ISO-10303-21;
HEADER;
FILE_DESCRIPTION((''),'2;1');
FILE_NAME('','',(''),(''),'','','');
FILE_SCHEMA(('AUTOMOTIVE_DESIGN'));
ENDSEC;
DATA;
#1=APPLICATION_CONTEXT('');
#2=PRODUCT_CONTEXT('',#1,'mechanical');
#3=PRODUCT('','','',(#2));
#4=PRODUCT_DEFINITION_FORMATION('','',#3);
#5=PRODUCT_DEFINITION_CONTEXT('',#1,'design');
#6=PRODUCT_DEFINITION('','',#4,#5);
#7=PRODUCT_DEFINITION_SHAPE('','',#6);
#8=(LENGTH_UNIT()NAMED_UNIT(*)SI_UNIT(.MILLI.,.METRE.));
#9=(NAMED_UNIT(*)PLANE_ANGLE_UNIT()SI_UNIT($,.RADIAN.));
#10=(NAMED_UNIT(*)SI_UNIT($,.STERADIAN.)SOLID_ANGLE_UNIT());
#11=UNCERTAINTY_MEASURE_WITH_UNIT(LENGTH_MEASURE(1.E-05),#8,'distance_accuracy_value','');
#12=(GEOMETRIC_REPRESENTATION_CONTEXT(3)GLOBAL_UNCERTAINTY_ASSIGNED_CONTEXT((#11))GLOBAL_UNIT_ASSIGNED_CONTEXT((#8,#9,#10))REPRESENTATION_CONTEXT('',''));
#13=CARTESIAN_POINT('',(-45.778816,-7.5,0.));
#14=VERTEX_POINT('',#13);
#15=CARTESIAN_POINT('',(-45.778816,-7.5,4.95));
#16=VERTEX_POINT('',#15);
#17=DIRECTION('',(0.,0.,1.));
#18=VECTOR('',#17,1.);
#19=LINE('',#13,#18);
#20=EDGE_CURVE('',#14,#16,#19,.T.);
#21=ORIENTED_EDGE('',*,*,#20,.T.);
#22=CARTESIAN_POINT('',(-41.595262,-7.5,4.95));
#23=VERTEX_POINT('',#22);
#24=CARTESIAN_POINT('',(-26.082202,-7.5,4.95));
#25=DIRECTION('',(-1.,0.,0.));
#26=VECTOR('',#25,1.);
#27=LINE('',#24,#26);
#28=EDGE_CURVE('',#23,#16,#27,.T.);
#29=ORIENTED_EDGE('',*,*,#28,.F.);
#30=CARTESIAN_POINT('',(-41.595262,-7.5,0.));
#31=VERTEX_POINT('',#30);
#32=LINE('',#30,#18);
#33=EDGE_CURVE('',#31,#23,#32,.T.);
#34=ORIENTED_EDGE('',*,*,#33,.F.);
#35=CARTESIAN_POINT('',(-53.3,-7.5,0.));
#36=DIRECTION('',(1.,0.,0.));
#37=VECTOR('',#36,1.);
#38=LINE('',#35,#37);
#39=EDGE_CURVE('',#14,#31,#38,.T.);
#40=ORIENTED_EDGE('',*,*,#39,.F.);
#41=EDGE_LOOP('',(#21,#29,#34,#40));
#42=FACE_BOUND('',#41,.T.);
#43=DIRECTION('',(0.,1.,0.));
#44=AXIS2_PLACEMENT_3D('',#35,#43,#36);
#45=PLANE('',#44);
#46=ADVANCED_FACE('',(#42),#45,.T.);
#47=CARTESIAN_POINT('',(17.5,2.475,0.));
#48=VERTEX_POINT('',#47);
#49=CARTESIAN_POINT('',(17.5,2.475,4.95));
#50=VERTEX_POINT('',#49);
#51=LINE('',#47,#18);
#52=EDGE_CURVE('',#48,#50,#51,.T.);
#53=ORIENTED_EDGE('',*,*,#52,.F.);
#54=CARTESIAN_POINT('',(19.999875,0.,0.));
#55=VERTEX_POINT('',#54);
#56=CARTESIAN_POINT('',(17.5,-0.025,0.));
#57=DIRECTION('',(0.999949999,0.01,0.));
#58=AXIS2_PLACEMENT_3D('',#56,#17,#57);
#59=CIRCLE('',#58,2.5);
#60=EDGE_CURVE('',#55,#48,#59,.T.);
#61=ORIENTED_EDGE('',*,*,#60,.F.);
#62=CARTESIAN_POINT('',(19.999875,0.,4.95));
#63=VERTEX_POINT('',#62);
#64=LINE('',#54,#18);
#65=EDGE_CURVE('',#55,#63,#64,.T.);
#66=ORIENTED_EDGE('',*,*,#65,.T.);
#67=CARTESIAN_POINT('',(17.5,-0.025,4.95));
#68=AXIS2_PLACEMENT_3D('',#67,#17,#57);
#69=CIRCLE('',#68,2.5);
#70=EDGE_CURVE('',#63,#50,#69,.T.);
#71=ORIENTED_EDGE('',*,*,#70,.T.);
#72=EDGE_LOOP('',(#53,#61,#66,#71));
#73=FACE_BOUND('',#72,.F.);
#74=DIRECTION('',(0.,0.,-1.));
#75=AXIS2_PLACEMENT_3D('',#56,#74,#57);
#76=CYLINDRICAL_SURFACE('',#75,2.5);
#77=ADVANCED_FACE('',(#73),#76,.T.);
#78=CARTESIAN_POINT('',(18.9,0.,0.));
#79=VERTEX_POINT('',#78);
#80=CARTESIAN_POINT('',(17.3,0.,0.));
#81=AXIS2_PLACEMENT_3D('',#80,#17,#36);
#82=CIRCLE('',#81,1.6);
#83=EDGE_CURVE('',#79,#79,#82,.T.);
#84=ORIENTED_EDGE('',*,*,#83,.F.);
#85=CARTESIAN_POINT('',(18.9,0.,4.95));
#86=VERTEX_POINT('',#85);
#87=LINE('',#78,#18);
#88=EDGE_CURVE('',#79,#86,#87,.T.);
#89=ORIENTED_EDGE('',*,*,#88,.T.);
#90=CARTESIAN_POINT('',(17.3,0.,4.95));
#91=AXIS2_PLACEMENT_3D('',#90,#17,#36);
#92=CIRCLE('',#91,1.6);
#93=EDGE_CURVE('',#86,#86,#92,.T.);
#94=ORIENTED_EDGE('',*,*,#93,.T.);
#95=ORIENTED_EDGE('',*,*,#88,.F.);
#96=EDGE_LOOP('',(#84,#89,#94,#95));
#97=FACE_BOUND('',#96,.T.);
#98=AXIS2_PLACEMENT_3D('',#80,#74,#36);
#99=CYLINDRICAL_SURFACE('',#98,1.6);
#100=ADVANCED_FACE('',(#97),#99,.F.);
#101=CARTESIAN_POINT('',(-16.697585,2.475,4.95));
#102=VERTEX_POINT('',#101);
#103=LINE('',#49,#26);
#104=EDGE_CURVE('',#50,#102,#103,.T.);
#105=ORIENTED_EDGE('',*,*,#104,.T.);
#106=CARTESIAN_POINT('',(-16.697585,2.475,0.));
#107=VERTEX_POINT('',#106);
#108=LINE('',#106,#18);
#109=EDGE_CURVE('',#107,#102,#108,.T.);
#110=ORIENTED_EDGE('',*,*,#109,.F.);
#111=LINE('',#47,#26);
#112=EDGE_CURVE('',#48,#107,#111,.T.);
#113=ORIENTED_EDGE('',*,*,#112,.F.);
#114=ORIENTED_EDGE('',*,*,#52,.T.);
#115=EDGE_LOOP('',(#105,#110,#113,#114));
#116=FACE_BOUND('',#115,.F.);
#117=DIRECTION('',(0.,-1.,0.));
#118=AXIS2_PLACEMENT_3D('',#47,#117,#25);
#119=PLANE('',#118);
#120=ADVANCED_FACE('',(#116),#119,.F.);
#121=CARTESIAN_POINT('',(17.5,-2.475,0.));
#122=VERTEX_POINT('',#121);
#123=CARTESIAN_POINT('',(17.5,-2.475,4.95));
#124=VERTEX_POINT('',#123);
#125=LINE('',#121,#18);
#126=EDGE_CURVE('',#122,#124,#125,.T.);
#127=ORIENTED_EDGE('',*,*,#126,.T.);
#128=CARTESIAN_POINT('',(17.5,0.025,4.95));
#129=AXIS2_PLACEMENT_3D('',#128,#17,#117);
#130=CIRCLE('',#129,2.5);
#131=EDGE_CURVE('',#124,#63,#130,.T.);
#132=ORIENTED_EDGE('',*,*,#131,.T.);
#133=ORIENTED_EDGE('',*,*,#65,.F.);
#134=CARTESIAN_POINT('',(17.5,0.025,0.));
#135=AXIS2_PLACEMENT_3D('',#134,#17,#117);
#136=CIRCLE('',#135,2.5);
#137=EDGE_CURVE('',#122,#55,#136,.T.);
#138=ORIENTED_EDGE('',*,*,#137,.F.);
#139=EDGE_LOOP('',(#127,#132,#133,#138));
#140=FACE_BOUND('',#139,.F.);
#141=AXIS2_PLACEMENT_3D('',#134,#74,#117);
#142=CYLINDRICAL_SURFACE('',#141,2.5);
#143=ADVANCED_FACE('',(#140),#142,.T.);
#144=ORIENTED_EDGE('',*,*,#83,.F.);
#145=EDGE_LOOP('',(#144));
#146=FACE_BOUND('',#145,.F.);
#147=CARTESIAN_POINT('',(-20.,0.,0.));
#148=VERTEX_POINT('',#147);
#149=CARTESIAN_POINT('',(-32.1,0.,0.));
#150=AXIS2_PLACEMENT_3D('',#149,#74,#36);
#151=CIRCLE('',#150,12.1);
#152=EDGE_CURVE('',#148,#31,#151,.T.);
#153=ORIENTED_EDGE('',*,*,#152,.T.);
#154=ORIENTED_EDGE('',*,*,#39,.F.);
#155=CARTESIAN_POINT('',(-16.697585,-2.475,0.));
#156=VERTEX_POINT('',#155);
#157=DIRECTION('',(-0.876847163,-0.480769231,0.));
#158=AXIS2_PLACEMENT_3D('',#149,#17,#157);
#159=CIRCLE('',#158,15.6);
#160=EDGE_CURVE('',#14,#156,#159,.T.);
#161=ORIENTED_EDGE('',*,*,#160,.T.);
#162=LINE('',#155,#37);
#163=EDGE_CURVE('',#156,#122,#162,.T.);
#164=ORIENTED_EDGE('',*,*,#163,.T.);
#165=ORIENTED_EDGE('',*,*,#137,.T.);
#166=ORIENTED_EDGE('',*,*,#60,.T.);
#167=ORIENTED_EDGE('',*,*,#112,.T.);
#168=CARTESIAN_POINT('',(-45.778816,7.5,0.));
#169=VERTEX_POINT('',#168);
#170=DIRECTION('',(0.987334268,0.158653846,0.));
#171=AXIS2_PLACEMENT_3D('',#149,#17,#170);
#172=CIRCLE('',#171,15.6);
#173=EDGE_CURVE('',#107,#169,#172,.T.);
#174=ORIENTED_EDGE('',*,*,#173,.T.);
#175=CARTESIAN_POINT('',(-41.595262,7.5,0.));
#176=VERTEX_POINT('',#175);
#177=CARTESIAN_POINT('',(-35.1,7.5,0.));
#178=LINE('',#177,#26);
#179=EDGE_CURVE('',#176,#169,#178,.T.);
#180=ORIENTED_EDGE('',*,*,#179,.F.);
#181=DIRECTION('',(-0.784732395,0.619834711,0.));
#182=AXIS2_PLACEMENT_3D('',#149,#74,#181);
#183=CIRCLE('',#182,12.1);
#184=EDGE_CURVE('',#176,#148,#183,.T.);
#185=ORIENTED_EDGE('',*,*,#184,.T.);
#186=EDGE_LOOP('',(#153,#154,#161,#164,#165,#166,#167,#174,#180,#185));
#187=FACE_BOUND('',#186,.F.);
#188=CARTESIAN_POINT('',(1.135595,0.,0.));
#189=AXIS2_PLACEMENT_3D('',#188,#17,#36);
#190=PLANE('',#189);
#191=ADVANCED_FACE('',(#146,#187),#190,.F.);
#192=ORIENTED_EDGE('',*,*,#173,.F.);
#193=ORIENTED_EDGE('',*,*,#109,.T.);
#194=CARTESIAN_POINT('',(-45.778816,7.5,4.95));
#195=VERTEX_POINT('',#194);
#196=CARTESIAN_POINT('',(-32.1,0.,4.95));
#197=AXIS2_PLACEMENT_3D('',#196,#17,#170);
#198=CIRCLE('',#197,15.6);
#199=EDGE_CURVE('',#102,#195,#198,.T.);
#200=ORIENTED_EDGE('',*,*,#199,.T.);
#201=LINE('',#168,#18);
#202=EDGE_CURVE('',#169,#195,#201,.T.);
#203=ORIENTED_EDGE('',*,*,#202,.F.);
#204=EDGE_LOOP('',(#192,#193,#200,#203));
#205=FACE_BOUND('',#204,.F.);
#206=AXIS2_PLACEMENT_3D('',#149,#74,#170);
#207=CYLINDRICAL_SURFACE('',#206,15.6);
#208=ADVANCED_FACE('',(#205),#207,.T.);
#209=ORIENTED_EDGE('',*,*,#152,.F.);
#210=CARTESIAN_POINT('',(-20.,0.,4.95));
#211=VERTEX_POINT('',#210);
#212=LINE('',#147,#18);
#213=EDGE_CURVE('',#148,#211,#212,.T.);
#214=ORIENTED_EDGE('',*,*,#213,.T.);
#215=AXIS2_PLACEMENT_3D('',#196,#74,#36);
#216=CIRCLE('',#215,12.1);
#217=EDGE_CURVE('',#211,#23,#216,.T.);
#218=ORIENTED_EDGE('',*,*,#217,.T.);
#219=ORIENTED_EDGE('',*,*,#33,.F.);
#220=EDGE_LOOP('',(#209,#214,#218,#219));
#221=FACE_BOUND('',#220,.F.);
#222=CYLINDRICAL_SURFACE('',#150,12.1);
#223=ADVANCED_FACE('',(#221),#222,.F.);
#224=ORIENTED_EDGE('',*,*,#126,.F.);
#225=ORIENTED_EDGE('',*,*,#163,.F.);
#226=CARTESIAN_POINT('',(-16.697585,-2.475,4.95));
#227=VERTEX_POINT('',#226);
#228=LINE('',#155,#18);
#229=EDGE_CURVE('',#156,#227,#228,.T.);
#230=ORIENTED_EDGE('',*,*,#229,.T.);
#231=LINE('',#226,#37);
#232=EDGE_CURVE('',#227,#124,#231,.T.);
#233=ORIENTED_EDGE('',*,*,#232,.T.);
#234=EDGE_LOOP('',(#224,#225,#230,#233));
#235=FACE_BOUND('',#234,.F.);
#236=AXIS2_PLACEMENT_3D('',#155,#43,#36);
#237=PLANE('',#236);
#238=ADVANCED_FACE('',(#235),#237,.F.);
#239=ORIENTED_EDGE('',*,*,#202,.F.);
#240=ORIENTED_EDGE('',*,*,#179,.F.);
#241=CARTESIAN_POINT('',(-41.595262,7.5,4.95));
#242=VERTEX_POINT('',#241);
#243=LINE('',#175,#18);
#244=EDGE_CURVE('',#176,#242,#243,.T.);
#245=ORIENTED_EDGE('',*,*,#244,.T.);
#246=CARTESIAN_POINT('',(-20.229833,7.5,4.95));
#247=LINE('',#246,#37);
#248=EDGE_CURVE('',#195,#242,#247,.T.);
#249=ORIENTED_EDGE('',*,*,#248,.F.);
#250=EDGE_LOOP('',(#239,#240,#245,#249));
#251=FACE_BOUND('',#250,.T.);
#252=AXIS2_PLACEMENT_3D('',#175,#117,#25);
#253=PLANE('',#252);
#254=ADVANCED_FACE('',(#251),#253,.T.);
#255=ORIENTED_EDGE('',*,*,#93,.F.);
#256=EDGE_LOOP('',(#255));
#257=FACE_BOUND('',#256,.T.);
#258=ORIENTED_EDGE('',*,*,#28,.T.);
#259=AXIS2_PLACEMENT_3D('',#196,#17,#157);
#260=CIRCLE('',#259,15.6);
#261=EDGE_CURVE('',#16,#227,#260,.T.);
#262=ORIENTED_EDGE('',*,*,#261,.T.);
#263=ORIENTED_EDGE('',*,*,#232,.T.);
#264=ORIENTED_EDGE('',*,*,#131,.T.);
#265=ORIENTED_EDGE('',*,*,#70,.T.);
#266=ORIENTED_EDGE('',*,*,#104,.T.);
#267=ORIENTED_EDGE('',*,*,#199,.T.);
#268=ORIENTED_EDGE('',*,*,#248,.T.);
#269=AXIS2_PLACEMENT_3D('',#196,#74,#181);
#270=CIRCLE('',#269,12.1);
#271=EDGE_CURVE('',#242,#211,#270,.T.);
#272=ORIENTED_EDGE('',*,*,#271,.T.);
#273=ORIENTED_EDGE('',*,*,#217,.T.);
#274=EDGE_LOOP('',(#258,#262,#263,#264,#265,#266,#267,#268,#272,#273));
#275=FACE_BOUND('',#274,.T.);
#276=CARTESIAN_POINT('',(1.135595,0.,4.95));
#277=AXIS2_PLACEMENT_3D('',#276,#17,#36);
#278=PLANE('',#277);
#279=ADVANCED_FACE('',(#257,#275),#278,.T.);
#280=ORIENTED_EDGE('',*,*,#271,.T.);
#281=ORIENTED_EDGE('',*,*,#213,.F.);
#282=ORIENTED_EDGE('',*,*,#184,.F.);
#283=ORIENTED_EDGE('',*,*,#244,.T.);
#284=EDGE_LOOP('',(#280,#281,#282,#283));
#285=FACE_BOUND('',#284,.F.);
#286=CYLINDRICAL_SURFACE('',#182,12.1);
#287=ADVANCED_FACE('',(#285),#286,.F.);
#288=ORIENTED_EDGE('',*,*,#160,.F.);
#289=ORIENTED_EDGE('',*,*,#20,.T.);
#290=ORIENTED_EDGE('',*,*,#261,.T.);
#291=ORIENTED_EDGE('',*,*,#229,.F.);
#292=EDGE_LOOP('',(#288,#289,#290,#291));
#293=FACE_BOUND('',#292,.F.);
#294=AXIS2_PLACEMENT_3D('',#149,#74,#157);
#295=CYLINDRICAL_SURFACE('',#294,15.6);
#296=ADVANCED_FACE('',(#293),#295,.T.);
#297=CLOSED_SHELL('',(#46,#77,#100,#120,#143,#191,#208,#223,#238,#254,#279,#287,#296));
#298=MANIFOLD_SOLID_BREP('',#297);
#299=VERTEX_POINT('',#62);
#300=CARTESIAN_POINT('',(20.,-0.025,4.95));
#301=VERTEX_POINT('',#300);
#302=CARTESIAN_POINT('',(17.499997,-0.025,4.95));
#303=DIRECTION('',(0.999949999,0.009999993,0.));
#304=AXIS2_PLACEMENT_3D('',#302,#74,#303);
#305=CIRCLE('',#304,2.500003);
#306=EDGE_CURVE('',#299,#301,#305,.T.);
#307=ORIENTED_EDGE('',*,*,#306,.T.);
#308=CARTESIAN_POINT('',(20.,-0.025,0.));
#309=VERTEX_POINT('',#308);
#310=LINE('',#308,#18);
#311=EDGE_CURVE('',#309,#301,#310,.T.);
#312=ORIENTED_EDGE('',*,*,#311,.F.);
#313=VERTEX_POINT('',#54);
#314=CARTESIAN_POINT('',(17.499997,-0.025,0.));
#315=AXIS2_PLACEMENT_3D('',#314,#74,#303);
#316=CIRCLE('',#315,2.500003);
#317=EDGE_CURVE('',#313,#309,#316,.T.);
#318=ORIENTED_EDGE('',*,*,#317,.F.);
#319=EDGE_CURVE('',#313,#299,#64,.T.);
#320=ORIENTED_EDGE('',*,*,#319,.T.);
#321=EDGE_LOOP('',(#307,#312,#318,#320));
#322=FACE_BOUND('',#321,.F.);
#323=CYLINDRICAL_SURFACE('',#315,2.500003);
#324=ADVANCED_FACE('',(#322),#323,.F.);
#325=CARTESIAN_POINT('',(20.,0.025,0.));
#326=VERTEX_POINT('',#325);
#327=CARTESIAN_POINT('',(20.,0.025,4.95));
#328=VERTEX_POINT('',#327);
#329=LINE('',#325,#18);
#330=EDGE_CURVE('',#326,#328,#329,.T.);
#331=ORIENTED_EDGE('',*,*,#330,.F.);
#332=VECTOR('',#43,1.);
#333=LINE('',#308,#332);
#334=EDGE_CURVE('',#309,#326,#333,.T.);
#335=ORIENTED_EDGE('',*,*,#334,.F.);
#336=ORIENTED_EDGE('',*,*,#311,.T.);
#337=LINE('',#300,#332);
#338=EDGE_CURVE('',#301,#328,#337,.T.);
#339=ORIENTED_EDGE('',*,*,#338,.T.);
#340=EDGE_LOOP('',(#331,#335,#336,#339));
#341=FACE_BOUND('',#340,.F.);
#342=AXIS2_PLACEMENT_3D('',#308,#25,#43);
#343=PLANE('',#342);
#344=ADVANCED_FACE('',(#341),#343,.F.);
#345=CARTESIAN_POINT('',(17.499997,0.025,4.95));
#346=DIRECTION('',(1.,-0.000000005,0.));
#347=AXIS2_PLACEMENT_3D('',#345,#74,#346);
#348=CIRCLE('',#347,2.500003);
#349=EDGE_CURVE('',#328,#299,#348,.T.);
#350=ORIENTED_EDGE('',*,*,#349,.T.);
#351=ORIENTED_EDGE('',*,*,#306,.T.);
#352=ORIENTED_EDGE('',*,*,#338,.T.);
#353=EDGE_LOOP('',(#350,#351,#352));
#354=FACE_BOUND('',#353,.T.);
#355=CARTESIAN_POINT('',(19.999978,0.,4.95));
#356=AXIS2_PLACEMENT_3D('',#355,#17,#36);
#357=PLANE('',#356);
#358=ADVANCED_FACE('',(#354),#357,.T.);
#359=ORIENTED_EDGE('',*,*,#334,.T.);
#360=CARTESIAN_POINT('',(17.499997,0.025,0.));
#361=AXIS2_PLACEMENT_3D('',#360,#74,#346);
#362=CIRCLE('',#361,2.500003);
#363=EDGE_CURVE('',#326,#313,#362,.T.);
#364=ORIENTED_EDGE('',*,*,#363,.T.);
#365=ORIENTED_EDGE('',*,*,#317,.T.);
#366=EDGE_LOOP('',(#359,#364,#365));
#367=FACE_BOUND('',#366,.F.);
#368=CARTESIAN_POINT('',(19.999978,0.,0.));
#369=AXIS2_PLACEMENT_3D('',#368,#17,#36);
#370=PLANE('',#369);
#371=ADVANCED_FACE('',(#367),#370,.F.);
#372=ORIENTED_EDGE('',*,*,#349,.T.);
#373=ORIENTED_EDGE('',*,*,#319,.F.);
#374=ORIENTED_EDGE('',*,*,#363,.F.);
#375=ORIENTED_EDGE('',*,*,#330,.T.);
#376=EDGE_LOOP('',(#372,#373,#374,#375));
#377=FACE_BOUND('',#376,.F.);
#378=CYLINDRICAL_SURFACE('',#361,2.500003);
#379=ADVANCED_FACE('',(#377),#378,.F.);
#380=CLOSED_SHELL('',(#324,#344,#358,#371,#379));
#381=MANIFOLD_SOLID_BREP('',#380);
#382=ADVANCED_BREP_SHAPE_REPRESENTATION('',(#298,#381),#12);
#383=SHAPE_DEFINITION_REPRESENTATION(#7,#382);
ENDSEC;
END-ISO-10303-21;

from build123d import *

# Parameters (mm, degrees)
F1_DEPTH = 4.95
F0_R     = 1.6
F2_DEPTH = 22


with BuildPart() as f1:
    # F0 (on Top) → F1 (new body)
    with BuildSketch(Plane.XY):
        with BuildLine():
            ThreePointArc((20, 0.025), (19.999968749, 0.0124998437), (19.9998749969, 0))
            ThreePointArc((19.9998749969, 0), (19.999968749, -0.0124998437), (20, -0.025))
            Line((20, -0.025), (20, 0.025))
        make_face()
    extrude(amount=F1_DEPTH)


with BuildPart() as f1b:
    # F0 (on Top) → F1, piece 2 (new body)
    with BuildSketch(Plane.XY):
        with BuildLine():
            Line((-16.6975854166, -2.475), (17.5, -2.475))
            ThreePointArc((17.5, -2.475), (19.2589059099, -1.7515838004), (19.9998749969, 0))
            ThreePointArc((19.9998749969, 0), (19.2589059099, 1.7515838004), (17.5, 2.475))
            Line((17.5, 2.475), (-16.6975854166, 2.475))
            ThreePointArc((-16.6975854166, 2.475), (-16.5494748079, 1.2414371709), (-16.5, 0))
            ThreePointArc((-16.5, 0), (-16.5494748079, -1.2414371709), (-16.6975854166, -2.475))
        make_face()
        with Locations((17.3, 0)):
            Circle(F0_R, mode=Mode.SUBTRACT)
        with BuildLine():
            ThreePointArc((-45.7788157382, -7.5), (-29.4438082722, -15.3722036646), (-16.6975854166, -2.475))
            Line((-16.6975854166, -2.475), (-20, -2.475))
            Line((-20, -2.475), (-20, 0))
            ThreePointArc((-20, 0), (-28.1302814907, -11.4302814907), (-41.5952619764, -7.5))
            Line((-41.5952619764, -7.5), (-45.7788157382, -7.5))
        make_face()
        with BuildLine():
            Line((-20, -2.475), (-16.6975854166, -2.475))
            ThreePointArc((-16.6975854166, -2.475), (-16.5494748079, -1.2414371709), (-16.5, 0))
            ThreePointArc((-16.5, 0), (-16.5494748079, 1.2414371709), (-16.6975854166, 2.475))
            Line((-16.6975854166, 2.475), (-20, 2.475))
            Line((-20, 2.475), (-20, 0))
            Line((-20, 0), (-20, -2.475))
        make_face()
        with BuildLine():
            Line((-53.3, -7.5), (-45.7788157382, -7.5))
            ThreePointArc((-45.7788157382, -7.5), (-47.7, 0), (-45.7788157382, 7.5))
            Line((-45.7788157382, 7.5), (-53.3, 7.5))
            Line((-53.3, 7.5), (-53.3, -7.5))
        make_face()
        with BuildLine():
            ThreePointArc((-45.7788157382, 7.5), (-47.7, 0), (-45.7788157382, -7.5))
            Line((-45.7788157382, -7.5), (-41.5952619764, -7.5))
            ThreePointArc((-41.5952619764, -7.5), (-44.2, 0), (-41.5952619764, 7.5))
            Line((-41.5952619764, 7.5), (-45.7788157382, 7.5))
        make_face()
        with BuildLine():
            ThreePointArc((-41.5952619764, 7.5), (-28.1302814907, 11.4302814907), (-20, 0))
            Line((-20, 0), (-20, 2.475))
            Line((-20, 2.475), (-16.6975854166, 2.475))
            ThreePointArc((-16.6975854166, 2.475), (-29.4438082722, 15.3722036646), (-45.7788157382, 7.5))
            Line((-45.7788157382, 7.5), (-41.5952619764, 7.5))
        make_face()
    extrude(amount=F1_DEPTH)

    # F0 (on Top) → F2 (cut)
    with BuildSketch(Plane.XY):
        with BuildLine():
            Line((-53.3, -7.5), (-45.7788157382, -7.5))
            ThreePointArc((-45.7788157382, -7.5), (-47.7, 0), (-45.7788157382, 7.5))
            Line((-45.7788157382, 7.5), (-53.3, 7.5))
            Line((-53.3, 7.5), (-53.3, -7.5))
        make_face()
        with BuildLine():
            ThreePointArc((-45.7788157382, 7.5), (-47.7, 0), (-45.7788157382, -7.5))
            Line((-45.7788157382, -7.5), (-41.5952619764, -7.5))
            ThreePointArc((-41.5952619764, -7.5), (-44.2, 0), (-41.5952619764, 7.5))
            Line((-41.5952619764, 7.5), (-45.7788157382, 7.5))
        make_face()
        with BuildLine():
            ThreePointArc((-41.5952619764, 7.5), (-44.2, 0), (-41.5952619764, -7.5))
            Line((-41.5952619764, -7.5), (-35.1, -7.5))
            Line((-35.1, -7.5), (-35.1, 7.5))
            Line((-35.1, 7.5), (-41.5952619764, 7.5))
        make_face()
        with BuildLine():
            ThreePointArc((-41.5952619764, -7.5), (-28.1302814907, -11.4302814907), (-20, 0))
            ThreePointArc((-20, 0), (-28.1302814907, 11.4302814907), (-41.5952619764, 7.5))
            Line((-41.5952619764, 7.5), (-35.1, 7.5))
            Line((-35.1, 7.5), (-35.1, -7.5))
            Line((-35.1, -7.5), (-41.5952619764, -7.5))
        make_face()
    extrude(amount=F2_DEPTH, mode=Mode.SUBTRACT)


solid = Compound([f1.part, f1b.part])
